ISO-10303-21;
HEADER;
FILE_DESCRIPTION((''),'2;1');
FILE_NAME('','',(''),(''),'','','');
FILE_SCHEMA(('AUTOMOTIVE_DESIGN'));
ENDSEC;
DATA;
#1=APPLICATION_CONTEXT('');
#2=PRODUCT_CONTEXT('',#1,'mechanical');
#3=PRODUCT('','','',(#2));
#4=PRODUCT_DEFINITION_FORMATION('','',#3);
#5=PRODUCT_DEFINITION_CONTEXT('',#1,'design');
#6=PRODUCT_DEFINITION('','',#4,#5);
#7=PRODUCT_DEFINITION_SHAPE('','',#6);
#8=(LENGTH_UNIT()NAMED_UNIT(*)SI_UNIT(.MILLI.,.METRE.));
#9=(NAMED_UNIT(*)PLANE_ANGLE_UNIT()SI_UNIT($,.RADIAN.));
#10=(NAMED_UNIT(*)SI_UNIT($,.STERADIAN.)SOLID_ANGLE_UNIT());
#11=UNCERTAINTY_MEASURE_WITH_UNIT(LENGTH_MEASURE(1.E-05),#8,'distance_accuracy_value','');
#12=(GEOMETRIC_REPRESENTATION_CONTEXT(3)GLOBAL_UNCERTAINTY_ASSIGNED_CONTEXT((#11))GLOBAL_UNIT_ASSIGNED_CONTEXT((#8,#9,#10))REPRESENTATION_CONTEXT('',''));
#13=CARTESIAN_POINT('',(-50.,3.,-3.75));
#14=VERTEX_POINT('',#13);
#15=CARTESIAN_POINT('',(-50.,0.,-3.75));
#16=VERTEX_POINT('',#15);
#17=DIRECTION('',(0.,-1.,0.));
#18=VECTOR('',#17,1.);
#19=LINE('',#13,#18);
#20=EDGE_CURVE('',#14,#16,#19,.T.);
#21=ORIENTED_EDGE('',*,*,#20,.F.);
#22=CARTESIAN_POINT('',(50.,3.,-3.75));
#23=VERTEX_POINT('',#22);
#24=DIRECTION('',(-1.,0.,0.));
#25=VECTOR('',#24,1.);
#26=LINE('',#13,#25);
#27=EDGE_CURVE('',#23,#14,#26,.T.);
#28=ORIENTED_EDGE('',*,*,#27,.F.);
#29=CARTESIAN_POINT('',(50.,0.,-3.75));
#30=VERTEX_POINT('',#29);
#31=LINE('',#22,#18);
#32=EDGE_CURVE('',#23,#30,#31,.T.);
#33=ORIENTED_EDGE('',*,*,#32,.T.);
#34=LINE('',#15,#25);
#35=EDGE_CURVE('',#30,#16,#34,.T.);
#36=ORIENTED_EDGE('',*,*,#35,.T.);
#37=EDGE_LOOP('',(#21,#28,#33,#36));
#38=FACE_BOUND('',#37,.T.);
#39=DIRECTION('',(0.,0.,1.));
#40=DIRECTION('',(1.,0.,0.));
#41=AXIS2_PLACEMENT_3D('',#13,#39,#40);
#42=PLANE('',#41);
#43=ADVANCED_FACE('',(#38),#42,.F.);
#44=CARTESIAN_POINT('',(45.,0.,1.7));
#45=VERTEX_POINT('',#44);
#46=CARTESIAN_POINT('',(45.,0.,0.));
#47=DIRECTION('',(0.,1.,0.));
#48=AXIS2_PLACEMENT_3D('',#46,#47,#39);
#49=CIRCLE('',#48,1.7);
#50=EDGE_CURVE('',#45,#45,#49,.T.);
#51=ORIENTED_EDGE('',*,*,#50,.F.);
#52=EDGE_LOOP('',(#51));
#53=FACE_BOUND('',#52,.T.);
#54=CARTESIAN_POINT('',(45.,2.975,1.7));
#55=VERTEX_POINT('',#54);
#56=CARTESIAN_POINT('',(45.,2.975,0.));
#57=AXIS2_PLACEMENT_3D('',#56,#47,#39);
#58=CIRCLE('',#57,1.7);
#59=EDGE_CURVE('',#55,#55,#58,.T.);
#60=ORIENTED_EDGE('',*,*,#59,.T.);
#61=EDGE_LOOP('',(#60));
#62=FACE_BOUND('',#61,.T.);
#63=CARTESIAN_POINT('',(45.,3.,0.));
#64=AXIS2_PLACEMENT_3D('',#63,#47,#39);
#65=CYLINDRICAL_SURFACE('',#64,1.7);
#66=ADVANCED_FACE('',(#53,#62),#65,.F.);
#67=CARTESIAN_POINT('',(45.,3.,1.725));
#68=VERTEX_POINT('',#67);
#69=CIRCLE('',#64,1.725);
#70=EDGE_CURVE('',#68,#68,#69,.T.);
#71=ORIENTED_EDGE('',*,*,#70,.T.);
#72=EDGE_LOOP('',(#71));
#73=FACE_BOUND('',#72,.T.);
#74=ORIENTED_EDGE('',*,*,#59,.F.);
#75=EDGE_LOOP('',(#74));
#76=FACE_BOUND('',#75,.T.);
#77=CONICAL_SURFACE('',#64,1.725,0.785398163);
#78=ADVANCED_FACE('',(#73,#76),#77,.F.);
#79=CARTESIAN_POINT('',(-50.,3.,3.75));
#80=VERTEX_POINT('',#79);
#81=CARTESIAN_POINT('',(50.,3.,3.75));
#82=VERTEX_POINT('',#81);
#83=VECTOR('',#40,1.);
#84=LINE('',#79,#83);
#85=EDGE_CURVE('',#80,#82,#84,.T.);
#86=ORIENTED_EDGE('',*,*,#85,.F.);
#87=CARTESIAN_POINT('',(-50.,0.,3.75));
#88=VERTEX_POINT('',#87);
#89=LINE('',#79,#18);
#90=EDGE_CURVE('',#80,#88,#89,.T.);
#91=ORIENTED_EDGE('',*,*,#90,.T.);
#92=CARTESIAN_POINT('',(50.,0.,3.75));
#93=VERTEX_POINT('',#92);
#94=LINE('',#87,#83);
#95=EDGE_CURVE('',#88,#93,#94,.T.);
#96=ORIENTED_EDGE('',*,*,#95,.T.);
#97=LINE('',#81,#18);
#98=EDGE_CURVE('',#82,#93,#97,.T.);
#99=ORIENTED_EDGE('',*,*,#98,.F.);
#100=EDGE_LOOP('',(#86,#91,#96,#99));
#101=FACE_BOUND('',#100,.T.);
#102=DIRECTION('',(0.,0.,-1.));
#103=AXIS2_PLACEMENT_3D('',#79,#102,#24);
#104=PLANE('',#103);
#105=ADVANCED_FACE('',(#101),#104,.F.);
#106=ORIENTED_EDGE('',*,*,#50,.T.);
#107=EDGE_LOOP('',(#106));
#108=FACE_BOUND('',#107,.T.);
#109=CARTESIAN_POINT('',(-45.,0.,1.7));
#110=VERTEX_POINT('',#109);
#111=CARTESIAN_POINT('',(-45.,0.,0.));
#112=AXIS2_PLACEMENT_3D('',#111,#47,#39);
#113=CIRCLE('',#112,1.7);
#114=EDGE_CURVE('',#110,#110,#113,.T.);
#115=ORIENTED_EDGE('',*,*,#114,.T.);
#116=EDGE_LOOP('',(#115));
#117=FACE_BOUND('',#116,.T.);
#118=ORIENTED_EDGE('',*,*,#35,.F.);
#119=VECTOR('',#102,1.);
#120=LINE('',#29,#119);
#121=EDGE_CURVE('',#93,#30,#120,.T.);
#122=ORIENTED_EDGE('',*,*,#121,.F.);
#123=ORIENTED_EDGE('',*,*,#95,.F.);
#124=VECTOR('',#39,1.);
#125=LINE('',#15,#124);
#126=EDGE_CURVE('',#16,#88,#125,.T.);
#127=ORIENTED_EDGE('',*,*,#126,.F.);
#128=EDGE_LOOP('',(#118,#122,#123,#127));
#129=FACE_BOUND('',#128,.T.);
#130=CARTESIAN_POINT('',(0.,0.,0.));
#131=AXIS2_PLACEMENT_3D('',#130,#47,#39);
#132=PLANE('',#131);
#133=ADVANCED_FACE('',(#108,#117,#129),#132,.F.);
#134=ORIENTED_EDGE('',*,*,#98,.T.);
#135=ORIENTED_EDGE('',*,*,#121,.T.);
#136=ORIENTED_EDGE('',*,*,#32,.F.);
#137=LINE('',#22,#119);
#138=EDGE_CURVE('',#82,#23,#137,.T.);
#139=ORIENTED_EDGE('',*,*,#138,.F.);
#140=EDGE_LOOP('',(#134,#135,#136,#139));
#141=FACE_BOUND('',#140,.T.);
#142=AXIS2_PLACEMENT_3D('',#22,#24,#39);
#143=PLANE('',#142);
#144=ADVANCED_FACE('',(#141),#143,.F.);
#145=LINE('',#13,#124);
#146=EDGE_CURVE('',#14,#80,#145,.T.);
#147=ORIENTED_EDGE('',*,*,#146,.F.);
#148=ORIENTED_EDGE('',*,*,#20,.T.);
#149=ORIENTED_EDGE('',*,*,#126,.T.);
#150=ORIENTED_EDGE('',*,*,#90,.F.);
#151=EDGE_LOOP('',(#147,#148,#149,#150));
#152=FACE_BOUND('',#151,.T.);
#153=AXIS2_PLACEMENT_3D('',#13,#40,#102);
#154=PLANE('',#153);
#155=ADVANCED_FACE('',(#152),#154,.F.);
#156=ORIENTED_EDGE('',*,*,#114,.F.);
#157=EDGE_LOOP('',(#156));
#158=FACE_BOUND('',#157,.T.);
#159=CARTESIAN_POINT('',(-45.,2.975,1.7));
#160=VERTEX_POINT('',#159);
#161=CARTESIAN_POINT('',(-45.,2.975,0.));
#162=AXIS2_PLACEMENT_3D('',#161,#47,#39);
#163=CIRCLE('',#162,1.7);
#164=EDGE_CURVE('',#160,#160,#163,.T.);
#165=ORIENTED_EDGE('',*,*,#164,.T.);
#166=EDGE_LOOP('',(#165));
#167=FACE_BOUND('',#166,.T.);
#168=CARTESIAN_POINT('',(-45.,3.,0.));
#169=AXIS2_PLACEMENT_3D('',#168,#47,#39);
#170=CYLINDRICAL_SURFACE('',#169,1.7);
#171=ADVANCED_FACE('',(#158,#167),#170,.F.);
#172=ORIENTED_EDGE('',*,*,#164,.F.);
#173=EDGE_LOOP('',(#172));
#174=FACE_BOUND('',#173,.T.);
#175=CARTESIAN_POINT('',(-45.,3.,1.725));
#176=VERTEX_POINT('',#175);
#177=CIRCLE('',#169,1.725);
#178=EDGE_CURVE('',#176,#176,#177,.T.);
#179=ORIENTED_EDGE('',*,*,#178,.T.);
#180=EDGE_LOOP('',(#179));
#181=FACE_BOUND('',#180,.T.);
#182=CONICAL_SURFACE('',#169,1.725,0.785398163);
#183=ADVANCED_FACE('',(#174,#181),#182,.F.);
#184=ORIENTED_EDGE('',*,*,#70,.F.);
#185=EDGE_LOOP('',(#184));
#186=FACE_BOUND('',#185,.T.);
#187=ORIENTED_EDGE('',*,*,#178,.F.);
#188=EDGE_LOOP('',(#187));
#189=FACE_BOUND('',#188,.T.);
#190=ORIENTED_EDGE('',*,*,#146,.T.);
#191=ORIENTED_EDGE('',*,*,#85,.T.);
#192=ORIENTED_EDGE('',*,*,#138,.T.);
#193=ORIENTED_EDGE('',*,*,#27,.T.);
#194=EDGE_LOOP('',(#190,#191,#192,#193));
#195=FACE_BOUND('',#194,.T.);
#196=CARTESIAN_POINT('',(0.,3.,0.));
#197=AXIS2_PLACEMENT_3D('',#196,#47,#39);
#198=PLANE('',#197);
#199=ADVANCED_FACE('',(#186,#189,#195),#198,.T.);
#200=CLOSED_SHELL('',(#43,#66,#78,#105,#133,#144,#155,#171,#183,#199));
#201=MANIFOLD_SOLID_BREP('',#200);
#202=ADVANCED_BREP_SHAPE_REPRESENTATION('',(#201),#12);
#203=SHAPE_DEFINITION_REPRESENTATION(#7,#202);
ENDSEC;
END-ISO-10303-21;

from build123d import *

# Parameters (mm, degrees)
SKETCH1_W                      = 100
SKETCH1_H                      = 7.5
BOSS_EXTRUDE1_DEPTH            = 3
M3_CLEARANCE_HOLE1_D           = 3.4
M3_CLEARANCE_HOLE1_CSINK_D     = 3.45
M3_CLEARANCE_HOLE1_CSINK_ANGLE = 90


with BuildPart() as part:
    # Sketch1 → Boss-Extrude1 (new body)
    with BuildSketch(Plane(origin=(0, 0, 0), x_dir=(1, 0, 0), z_dir=(0, 1, 0))):
        Rectangle(SKETCH1_W, SKETCH1_H)
    extrude(amount=BOSS_EXTRUDE1_DEPTH)

    # M3 Clearance Hole1 (through all)
    with Locations(Plane(origin=(0, 3, 0), x_dir=(1, 0, 0), z_dir=(0, 1, 0))):
        with Locations((-45, 0), (45, 0)):
            CounterSinkHole(M3_CLEARANCE_HOLE1_D / 2, M3_CLEARANCE_HOLE1_CSINK_D / 2, counter_sink_angle=M3_CLEARANCE_HOLE1_CSINK_ANGLE)


solid = part.part
